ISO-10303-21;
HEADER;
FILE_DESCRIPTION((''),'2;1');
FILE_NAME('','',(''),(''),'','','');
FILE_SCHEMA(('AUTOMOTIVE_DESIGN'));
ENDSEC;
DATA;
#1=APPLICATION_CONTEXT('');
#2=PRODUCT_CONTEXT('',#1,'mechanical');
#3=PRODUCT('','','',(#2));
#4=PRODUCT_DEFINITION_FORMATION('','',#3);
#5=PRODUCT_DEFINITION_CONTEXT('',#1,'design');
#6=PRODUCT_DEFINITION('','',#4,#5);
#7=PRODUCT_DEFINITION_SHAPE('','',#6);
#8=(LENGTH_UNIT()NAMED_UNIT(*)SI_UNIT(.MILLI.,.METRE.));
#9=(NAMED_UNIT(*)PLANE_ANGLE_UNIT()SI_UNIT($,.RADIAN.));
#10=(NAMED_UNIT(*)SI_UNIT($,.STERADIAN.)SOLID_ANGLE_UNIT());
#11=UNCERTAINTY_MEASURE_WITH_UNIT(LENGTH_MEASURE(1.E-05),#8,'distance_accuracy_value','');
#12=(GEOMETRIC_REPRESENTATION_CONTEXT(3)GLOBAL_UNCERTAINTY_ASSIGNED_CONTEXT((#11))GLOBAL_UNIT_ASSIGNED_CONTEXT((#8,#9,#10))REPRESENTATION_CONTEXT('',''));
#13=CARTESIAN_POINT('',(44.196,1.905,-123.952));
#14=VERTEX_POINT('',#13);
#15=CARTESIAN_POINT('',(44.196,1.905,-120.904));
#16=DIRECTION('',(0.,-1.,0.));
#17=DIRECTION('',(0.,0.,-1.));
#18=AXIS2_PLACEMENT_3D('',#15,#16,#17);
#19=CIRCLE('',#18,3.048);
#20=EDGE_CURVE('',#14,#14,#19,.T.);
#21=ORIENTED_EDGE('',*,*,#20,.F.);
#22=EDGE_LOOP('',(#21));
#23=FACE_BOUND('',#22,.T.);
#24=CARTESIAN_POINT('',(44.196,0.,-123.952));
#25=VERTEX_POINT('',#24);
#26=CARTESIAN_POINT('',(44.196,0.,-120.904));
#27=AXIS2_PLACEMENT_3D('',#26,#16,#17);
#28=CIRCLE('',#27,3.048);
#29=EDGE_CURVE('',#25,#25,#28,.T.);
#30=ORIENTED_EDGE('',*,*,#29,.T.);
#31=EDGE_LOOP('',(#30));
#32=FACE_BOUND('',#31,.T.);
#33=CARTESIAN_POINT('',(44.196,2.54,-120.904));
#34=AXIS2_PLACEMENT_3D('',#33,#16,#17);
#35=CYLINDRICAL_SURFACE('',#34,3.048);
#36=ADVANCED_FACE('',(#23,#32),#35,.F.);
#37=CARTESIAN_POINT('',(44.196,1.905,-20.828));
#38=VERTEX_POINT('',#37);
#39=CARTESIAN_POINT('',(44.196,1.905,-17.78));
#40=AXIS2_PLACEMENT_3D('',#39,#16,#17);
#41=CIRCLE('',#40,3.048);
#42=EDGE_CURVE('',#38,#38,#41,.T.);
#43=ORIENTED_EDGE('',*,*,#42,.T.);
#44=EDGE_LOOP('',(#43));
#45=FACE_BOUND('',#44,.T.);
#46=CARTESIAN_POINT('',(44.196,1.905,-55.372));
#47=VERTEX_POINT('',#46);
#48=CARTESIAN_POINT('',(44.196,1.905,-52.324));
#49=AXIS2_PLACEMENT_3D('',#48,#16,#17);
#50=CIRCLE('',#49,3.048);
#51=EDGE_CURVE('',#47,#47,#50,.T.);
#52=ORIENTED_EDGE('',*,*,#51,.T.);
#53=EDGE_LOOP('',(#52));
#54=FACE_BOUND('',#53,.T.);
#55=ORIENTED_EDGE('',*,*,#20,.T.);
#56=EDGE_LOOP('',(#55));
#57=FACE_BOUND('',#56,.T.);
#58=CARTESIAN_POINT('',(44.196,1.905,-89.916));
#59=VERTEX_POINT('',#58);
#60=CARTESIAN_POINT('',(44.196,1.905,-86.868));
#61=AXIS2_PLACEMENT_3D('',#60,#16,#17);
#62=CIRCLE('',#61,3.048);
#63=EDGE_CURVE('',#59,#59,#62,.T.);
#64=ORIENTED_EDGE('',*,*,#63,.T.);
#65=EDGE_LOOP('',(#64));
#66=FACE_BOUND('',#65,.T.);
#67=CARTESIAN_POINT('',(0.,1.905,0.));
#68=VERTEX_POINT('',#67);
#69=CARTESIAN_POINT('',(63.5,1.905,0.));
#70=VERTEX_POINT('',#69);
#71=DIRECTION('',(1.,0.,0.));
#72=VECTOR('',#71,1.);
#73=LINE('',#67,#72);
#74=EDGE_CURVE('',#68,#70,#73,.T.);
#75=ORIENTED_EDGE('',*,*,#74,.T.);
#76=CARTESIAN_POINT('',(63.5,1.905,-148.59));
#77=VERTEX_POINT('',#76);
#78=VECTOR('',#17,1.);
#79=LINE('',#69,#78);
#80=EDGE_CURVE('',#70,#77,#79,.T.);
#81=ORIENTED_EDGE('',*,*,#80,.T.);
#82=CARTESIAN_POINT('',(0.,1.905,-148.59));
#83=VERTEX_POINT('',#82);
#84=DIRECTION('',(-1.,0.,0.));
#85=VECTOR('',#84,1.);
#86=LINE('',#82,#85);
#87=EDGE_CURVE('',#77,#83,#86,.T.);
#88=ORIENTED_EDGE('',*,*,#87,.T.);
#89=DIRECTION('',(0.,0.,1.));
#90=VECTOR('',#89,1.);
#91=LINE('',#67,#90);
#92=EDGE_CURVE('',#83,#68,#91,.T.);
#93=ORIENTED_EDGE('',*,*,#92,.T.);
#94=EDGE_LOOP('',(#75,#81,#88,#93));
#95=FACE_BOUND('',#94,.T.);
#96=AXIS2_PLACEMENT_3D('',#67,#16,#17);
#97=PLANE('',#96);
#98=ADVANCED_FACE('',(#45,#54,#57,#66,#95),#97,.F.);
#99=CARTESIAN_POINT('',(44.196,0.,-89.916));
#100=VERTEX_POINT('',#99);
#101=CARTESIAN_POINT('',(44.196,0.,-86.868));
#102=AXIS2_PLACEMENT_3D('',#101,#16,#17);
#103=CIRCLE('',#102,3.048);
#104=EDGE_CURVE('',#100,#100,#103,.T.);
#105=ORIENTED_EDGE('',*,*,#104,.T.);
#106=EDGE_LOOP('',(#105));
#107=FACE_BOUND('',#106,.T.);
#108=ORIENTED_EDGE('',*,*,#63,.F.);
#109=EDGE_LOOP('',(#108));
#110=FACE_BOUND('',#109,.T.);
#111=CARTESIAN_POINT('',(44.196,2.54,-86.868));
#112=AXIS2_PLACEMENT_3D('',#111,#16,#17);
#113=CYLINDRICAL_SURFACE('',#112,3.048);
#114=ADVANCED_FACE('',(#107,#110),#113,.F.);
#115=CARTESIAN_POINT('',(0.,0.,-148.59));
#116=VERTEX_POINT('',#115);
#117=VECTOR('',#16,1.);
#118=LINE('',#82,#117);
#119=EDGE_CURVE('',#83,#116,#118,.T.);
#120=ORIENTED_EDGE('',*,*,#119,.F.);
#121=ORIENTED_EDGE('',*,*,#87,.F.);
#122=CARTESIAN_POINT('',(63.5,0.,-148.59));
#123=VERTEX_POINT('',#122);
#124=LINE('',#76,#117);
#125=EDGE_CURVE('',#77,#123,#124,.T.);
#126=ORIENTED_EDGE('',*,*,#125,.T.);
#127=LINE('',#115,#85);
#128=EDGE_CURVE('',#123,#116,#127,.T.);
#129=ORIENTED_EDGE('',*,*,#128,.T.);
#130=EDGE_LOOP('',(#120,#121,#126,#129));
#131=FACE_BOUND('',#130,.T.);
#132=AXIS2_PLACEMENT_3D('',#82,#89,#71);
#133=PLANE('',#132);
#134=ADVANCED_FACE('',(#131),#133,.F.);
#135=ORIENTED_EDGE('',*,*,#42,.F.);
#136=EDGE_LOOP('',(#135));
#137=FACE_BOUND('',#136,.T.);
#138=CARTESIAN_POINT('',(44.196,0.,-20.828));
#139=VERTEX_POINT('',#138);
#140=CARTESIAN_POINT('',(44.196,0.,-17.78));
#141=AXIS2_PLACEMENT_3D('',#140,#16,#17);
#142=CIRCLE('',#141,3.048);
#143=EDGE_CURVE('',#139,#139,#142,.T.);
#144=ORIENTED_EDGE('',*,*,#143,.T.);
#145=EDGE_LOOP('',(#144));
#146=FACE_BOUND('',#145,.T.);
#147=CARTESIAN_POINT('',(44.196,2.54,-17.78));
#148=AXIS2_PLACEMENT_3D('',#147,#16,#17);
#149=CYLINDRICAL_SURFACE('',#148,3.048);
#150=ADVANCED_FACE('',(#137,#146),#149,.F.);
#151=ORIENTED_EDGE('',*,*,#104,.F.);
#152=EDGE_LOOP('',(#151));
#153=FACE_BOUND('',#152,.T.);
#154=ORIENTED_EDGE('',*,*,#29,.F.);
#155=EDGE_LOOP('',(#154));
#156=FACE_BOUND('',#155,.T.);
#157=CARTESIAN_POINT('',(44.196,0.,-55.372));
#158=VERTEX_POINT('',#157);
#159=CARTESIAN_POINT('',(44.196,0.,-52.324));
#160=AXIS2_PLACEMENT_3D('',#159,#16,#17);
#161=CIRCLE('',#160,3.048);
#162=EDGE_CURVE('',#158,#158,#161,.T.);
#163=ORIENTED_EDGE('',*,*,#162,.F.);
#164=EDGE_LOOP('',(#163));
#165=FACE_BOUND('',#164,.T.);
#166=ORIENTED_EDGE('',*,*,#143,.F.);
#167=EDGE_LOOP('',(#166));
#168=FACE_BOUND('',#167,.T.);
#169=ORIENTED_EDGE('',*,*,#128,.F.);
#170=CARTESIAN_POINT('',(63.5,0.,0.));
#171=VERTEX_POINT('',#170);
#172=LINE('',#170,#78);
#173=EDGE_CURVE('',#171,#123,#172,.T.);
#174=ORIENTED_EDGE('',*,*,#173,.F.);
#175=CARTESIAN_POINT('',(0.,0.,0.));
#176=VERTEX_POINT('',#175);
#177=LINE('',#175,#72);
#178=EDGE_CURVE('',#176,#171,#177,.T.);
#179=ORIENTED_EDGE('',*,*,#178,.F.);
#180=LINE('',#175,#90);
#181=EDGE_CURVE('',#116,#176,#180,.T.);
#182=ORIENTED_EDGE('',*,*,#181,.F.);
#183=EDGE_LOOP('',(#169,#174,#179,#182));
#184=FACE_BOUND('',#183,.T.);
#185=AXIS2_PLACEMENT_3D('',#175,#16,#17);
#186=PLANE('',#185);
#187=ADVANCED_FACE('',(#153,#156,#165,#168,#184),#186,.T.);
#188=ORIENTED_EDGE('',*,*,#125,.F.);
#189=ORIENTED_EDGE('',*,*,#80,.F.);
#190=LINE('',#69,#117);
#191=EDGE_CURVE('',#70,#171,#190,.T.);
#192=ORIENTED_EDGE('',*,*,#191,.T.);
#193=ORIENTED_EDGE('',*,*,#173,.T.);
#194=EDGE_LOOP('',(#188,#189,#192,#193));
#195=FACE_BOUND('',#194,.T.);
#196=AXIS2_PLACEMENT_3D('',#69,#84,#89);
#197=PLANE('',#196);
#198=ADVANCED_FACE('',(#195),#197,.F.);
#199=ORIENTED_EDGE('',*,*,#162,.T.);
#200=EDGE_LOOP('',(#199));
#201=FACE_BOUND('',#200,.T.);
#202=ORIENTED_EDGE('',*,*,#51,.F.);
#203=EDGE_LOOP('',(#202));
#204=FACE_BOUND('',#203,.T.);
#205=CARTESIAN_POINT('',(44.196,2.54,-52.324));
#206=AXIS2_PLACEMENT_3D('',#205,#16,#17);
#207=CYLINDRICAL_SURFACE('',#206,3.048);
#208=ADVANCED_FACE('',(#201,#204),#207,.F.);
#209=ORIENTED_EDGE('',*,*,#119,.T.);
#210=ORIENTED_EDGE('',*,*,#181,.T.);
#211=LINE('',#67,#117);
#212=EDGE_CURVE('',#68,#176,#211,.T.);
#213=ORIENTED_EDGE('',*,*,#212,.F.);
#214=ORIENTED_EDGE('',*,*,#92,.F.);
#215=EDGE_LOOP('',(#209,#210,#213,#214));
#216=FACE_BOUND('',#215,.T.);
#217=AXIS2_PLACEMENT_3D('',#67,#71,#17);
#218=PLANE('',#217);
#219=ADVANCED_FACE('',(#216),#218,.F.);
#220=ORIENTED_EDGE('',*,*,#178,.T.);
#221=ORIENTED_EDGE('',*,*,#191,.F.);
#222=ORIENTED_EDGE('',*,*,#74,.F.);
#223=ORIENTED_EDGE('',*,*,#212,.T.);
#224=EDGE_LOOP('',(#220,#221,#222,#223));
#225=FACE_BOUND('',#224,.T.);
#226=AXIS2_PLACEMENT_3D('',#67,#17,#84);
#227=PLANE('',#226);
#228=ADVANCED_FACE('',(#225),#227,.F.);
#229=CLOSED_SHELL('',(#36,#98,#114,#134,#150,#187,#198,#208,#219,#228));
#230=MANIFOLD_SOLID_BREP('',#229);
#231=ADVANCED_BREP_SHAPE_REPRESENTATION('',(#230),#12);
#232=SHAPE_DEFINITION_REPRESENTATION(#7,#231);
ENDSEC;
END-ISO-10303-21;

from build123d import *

# Parameters (mm, degrees)
SKETCH1_W           = 63.5
SKETCH1_H           = 148.59
BOSS_EXTRUDE1_DEPTH = 1.905
SKETCH3_R           = 3.048
CUT_EXTRUDE2_DEPTH  = 2.54


with BuildPart() as part:
    # Sketch1 → Boss-Extrude1 (new body)
    with BuildSketch(Plane(origin=(0, 0, 0), x_dir=(1, 0, 0), z_dir=(0, 1, 0))):
        with Locations((31.75, 74.295)):
            Rectangle(SKETCH1_W, SKETCH1_H)
    extrude(amount=BOSS_EXTRUDE1_DEPTH)

    # Sketch3 → Cut-Extrude2 (cut)
    with BuildSketch(Plane.XZ):
        with Locations((44.196, -86.868)):
            Circle(SKETCH3_R)
        with Locations((44.196, -52.324)):
            Circle(SKETCH3_R)
        with Locations((44.196, -17.78)):
            Circle(SKETCH3_R)
        with Locations((44.196, -120.904)):
            Circle(SKETCH3_R)
    extrude(amount=-CUT_EXTRUDE2_DEPTH, mode=Mode.SUBTRACT)


solid = part.part
